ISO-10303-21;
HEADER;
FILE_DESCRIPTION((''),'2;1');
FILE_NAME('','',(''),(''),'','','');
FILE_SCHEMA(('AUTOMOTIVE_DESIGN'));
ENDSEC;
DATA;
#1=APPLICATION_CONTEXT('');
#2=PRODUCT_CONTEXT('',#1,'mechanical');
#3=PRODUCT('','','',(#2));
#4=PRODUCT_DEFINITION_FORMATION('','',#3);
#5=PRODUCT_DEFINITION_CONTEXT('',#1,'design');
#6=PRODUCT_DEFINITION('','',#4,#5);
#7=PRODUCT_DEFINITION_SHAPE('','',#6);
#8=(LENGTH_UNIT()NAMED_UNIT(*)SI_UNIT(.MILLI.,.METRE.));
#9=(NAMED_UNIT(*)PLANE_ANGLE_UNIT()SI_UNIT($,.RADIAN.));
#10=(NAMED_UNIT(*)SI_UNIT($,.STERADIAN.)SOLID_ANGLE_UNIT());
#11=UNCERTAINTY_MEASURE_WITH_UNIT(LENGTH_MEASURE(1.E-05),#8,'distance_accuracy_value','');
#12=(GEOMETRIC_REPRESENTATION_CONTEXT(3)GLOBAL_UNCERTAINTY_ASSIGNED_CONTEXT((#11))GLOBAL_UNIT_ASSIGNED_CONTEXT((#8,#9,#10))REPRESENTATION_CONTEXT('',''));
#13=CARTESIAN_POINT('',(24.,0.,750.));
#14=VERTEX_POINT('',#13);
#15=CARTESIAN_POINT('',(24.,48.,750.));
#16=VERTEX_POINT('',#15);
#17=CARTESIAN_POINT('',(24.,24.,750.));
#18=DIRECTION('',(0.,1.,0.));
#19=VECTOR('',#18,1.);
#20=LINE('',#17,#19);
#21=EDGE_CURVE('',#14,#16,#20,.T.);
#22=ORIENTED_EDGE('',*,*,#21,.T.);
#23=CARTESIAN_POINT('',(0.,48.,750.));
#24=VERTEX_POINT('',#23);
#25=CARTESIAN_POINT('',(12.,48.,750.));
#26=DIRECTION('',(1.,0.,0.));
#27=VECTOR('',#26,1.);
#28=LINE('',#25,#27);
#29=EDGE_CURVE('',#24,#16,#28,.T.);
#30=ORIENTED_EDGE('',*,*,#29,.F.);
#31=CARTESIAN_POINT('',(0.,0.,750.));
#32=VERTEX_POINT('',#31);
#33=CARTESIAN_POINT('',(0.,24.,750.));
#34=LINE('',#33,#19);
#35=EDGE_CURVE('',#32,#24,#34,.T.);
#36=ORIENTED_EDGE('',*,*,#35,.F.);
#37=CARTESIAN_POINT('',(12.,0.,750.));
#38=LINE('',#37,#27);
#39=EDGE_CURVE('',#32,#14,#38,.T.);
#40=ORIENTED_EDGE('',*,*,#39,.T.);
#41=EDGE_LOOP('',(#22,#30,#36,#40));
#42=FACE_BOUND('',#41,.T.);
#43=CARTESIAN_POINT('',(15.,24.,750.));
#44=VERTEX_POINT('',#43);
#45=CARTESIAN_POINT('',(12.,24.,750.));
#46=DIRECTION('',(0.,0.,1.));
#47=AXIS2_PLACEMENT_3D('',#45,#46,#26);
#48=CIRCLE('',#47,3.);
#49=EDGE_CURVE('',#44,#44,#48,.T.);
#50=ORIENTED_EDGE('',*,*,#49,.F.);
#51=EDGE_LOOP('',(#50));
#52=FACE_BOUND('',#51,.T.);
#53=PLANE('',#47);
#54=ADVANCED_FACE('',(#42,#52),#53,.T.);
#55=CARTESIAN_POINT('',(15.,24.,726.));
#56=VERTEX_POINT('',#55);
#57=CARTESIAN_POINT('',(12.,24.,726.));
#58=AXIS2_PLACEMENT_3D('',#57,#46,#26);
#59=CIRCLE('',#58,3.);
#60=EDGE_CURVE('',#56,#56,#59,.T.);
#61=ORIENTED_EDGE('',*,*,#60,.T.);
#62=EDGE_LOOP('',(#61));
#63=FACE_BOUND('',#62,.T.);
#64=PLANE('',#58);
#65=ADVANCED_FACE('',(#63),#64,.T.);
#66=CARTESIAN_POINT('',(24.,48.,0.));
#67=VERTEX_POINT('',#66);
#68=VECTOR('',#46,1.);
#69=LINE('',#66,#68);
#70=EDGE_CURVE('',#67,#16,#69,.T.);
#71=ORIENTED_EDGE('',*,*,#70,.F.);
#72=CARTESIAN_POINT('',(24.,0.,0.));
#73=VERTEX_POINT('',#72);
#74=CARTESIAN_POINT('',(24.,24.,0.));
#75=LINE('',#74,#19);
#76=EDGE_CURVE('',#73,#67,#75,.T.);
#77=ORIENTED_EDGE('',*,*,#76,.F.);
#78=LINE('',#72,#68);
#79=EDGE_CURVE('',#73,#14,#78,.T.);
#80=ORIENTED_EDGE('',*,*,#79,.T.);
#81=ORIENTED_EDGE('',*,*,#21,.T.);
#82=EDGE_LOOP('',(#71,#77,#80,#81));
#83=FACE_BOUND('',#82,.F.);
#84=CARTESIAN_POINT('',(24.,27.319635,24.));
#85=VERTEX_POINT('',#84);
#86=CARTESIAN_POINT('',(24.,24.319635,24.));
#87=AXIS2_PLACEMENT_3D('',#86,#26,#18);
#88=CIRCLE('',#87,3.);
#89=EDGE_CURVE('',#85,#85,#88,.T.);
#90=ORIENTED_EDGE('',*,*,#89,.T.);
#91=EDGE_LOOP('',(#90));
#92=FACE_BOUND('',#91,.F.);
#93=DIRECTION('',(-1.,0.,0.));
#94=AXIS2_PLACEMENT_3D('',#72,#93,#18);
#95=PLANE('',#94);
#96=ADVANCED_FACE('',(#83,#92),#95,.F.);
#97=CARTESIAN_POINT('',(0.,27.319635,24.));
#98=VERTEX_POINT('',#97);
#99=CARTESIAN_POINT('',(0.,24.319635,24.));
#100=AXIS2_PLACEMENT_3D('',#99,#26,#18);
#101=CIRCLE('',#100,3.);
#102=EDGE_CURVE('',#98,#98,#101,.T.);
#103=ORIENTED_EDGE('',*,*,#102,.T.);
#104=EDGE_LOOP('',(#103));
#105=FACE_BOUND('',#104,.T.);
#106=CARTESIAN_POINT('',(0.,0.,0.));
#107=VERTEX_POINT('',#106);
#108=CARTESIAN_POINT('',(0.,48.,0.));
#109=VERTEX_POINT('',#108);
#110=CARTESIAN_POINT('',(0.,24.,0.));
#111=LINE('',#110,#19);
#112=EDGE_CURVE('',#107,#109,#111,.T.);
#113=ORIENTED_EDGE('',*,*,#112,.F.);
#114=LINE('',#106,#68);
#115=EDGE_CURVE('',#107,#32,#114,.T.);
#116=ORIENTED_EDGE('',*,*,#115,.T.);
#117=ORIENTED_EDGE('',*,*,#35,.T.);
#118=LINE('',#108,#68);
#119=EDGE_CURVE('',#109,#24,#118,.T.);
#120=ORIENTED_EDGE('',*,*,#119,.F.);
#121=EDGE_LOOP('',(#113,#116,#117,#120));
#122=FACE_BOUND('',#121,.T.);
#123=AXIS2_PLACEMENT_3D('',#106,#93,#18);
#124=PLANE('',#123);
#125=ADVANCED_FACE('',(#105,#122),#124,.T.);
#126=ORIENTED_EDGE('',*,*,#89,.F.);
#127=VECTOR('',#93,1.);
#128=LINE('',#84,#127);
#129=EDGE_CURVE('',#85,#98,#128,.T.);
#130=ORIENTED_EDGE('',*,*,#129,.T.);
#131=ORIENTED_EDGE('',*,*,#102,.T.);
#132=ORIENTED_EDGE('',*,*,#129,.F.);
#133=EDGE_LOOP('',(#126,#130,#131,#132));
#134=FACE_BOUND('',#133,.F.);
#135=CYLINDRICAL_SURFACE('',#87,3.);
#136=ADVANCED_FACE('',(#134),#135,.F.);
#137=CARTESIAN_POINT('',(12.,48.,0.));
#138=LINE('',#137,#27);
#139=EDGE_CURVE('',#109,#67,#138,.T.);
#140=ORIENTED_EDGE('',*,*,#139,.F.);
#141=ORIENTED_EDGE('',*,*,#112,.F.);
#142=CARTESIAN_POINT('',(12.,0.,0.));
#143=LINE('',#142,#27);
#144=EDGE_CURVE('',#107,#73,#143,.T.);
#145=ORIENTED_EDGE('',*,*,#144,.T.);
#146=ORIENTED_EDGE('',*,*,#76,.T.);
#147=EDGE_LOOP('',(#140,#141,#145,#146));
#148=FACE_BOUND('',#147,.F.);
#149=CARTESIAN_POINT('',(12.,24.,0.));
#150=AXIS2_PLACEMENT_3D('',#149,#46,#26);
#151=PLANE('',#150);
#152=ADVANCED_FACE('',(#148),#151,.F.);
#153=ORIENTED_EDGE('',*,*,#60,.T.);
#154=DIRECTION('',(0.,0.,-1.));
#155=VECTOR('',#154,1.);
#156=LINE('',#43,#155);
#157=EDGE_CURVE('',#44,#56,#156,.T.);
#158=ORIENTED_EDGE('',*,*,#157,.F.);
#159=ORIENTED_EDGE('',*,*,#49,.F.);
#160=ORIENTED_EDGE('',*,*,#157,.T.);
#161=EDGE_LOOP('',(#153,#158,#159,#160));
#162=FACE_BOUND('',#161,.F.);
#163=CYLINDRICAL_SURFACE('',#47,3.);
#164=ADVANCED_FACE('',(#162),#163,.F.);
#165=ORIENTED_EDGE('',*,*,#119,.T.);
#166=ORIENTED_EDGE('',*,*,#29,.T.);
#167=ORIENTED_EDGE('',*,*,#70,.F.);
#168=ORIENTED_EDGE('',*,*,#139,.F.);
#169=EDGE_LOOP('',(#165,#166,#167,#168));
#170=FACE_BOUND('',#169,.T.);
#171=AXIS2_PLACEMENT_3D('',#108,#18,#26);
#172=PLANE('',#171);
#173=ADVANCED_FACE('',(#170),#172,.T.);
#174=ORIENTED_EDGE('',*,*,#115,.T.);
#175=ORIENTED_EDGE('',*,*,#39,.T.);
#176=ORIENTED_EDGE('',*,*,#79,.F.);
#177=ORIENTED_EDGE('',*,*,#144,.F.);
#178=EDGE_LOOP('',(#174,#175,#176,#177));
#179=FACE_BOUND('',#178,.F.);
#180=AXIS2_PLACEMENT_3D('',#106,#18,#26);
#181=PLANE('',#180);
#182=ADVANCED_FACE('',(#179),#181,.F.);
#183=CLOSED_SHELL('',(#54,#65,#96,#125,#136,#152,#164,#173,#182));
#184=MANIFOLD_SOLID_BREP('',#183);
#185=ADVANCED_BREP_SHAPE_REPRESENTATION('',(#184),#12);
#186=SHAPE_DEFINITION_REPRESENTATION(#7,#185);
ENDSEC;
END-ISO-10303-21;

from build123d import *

# Parameters (mm, degrees)
SKETCH088_W     = 24
SKETCH088_H     = 48
PAD049_DEPTH    = 750
SKETCH089_R     = 3
POCKET039_DEPTH = 24.001
SKETCH090_R     = 3
POCKET040_DEPTH = 24


with BuildPart() as part:
    # Sketch088 → Pad049 (new body)
    with BuildSketch(Plane.XY):
        with Locations((12, 24)):
            Rectangle(SKETCH088_W, SKETCH088_H)
    extrude(amount=PAD049_DEPTH)

    # Sketch089 (on Face2 of Pad049) → Pocket039 (cut, through all)
    with BuildSketch(Plane.YZ.offset(24)):
        with Locations((24.319635, 24)):
            Circle(SKETCH089_R)
    extrude(amount=-POCKET039_DEPTH, mode=Mode.SUBTRACT)

    # Sketch090 (on Face5 of Pocket039) → Pocket040 (cut)
    with BuildSketch(Plane.XY.offset(750)):
        with Locations((12, 24)):
            Circle(SKETCH090_R)
    extrude(amount=-POCKET040_DEPTH, mode=Mode.SUBTRACT)


solid = part.part
